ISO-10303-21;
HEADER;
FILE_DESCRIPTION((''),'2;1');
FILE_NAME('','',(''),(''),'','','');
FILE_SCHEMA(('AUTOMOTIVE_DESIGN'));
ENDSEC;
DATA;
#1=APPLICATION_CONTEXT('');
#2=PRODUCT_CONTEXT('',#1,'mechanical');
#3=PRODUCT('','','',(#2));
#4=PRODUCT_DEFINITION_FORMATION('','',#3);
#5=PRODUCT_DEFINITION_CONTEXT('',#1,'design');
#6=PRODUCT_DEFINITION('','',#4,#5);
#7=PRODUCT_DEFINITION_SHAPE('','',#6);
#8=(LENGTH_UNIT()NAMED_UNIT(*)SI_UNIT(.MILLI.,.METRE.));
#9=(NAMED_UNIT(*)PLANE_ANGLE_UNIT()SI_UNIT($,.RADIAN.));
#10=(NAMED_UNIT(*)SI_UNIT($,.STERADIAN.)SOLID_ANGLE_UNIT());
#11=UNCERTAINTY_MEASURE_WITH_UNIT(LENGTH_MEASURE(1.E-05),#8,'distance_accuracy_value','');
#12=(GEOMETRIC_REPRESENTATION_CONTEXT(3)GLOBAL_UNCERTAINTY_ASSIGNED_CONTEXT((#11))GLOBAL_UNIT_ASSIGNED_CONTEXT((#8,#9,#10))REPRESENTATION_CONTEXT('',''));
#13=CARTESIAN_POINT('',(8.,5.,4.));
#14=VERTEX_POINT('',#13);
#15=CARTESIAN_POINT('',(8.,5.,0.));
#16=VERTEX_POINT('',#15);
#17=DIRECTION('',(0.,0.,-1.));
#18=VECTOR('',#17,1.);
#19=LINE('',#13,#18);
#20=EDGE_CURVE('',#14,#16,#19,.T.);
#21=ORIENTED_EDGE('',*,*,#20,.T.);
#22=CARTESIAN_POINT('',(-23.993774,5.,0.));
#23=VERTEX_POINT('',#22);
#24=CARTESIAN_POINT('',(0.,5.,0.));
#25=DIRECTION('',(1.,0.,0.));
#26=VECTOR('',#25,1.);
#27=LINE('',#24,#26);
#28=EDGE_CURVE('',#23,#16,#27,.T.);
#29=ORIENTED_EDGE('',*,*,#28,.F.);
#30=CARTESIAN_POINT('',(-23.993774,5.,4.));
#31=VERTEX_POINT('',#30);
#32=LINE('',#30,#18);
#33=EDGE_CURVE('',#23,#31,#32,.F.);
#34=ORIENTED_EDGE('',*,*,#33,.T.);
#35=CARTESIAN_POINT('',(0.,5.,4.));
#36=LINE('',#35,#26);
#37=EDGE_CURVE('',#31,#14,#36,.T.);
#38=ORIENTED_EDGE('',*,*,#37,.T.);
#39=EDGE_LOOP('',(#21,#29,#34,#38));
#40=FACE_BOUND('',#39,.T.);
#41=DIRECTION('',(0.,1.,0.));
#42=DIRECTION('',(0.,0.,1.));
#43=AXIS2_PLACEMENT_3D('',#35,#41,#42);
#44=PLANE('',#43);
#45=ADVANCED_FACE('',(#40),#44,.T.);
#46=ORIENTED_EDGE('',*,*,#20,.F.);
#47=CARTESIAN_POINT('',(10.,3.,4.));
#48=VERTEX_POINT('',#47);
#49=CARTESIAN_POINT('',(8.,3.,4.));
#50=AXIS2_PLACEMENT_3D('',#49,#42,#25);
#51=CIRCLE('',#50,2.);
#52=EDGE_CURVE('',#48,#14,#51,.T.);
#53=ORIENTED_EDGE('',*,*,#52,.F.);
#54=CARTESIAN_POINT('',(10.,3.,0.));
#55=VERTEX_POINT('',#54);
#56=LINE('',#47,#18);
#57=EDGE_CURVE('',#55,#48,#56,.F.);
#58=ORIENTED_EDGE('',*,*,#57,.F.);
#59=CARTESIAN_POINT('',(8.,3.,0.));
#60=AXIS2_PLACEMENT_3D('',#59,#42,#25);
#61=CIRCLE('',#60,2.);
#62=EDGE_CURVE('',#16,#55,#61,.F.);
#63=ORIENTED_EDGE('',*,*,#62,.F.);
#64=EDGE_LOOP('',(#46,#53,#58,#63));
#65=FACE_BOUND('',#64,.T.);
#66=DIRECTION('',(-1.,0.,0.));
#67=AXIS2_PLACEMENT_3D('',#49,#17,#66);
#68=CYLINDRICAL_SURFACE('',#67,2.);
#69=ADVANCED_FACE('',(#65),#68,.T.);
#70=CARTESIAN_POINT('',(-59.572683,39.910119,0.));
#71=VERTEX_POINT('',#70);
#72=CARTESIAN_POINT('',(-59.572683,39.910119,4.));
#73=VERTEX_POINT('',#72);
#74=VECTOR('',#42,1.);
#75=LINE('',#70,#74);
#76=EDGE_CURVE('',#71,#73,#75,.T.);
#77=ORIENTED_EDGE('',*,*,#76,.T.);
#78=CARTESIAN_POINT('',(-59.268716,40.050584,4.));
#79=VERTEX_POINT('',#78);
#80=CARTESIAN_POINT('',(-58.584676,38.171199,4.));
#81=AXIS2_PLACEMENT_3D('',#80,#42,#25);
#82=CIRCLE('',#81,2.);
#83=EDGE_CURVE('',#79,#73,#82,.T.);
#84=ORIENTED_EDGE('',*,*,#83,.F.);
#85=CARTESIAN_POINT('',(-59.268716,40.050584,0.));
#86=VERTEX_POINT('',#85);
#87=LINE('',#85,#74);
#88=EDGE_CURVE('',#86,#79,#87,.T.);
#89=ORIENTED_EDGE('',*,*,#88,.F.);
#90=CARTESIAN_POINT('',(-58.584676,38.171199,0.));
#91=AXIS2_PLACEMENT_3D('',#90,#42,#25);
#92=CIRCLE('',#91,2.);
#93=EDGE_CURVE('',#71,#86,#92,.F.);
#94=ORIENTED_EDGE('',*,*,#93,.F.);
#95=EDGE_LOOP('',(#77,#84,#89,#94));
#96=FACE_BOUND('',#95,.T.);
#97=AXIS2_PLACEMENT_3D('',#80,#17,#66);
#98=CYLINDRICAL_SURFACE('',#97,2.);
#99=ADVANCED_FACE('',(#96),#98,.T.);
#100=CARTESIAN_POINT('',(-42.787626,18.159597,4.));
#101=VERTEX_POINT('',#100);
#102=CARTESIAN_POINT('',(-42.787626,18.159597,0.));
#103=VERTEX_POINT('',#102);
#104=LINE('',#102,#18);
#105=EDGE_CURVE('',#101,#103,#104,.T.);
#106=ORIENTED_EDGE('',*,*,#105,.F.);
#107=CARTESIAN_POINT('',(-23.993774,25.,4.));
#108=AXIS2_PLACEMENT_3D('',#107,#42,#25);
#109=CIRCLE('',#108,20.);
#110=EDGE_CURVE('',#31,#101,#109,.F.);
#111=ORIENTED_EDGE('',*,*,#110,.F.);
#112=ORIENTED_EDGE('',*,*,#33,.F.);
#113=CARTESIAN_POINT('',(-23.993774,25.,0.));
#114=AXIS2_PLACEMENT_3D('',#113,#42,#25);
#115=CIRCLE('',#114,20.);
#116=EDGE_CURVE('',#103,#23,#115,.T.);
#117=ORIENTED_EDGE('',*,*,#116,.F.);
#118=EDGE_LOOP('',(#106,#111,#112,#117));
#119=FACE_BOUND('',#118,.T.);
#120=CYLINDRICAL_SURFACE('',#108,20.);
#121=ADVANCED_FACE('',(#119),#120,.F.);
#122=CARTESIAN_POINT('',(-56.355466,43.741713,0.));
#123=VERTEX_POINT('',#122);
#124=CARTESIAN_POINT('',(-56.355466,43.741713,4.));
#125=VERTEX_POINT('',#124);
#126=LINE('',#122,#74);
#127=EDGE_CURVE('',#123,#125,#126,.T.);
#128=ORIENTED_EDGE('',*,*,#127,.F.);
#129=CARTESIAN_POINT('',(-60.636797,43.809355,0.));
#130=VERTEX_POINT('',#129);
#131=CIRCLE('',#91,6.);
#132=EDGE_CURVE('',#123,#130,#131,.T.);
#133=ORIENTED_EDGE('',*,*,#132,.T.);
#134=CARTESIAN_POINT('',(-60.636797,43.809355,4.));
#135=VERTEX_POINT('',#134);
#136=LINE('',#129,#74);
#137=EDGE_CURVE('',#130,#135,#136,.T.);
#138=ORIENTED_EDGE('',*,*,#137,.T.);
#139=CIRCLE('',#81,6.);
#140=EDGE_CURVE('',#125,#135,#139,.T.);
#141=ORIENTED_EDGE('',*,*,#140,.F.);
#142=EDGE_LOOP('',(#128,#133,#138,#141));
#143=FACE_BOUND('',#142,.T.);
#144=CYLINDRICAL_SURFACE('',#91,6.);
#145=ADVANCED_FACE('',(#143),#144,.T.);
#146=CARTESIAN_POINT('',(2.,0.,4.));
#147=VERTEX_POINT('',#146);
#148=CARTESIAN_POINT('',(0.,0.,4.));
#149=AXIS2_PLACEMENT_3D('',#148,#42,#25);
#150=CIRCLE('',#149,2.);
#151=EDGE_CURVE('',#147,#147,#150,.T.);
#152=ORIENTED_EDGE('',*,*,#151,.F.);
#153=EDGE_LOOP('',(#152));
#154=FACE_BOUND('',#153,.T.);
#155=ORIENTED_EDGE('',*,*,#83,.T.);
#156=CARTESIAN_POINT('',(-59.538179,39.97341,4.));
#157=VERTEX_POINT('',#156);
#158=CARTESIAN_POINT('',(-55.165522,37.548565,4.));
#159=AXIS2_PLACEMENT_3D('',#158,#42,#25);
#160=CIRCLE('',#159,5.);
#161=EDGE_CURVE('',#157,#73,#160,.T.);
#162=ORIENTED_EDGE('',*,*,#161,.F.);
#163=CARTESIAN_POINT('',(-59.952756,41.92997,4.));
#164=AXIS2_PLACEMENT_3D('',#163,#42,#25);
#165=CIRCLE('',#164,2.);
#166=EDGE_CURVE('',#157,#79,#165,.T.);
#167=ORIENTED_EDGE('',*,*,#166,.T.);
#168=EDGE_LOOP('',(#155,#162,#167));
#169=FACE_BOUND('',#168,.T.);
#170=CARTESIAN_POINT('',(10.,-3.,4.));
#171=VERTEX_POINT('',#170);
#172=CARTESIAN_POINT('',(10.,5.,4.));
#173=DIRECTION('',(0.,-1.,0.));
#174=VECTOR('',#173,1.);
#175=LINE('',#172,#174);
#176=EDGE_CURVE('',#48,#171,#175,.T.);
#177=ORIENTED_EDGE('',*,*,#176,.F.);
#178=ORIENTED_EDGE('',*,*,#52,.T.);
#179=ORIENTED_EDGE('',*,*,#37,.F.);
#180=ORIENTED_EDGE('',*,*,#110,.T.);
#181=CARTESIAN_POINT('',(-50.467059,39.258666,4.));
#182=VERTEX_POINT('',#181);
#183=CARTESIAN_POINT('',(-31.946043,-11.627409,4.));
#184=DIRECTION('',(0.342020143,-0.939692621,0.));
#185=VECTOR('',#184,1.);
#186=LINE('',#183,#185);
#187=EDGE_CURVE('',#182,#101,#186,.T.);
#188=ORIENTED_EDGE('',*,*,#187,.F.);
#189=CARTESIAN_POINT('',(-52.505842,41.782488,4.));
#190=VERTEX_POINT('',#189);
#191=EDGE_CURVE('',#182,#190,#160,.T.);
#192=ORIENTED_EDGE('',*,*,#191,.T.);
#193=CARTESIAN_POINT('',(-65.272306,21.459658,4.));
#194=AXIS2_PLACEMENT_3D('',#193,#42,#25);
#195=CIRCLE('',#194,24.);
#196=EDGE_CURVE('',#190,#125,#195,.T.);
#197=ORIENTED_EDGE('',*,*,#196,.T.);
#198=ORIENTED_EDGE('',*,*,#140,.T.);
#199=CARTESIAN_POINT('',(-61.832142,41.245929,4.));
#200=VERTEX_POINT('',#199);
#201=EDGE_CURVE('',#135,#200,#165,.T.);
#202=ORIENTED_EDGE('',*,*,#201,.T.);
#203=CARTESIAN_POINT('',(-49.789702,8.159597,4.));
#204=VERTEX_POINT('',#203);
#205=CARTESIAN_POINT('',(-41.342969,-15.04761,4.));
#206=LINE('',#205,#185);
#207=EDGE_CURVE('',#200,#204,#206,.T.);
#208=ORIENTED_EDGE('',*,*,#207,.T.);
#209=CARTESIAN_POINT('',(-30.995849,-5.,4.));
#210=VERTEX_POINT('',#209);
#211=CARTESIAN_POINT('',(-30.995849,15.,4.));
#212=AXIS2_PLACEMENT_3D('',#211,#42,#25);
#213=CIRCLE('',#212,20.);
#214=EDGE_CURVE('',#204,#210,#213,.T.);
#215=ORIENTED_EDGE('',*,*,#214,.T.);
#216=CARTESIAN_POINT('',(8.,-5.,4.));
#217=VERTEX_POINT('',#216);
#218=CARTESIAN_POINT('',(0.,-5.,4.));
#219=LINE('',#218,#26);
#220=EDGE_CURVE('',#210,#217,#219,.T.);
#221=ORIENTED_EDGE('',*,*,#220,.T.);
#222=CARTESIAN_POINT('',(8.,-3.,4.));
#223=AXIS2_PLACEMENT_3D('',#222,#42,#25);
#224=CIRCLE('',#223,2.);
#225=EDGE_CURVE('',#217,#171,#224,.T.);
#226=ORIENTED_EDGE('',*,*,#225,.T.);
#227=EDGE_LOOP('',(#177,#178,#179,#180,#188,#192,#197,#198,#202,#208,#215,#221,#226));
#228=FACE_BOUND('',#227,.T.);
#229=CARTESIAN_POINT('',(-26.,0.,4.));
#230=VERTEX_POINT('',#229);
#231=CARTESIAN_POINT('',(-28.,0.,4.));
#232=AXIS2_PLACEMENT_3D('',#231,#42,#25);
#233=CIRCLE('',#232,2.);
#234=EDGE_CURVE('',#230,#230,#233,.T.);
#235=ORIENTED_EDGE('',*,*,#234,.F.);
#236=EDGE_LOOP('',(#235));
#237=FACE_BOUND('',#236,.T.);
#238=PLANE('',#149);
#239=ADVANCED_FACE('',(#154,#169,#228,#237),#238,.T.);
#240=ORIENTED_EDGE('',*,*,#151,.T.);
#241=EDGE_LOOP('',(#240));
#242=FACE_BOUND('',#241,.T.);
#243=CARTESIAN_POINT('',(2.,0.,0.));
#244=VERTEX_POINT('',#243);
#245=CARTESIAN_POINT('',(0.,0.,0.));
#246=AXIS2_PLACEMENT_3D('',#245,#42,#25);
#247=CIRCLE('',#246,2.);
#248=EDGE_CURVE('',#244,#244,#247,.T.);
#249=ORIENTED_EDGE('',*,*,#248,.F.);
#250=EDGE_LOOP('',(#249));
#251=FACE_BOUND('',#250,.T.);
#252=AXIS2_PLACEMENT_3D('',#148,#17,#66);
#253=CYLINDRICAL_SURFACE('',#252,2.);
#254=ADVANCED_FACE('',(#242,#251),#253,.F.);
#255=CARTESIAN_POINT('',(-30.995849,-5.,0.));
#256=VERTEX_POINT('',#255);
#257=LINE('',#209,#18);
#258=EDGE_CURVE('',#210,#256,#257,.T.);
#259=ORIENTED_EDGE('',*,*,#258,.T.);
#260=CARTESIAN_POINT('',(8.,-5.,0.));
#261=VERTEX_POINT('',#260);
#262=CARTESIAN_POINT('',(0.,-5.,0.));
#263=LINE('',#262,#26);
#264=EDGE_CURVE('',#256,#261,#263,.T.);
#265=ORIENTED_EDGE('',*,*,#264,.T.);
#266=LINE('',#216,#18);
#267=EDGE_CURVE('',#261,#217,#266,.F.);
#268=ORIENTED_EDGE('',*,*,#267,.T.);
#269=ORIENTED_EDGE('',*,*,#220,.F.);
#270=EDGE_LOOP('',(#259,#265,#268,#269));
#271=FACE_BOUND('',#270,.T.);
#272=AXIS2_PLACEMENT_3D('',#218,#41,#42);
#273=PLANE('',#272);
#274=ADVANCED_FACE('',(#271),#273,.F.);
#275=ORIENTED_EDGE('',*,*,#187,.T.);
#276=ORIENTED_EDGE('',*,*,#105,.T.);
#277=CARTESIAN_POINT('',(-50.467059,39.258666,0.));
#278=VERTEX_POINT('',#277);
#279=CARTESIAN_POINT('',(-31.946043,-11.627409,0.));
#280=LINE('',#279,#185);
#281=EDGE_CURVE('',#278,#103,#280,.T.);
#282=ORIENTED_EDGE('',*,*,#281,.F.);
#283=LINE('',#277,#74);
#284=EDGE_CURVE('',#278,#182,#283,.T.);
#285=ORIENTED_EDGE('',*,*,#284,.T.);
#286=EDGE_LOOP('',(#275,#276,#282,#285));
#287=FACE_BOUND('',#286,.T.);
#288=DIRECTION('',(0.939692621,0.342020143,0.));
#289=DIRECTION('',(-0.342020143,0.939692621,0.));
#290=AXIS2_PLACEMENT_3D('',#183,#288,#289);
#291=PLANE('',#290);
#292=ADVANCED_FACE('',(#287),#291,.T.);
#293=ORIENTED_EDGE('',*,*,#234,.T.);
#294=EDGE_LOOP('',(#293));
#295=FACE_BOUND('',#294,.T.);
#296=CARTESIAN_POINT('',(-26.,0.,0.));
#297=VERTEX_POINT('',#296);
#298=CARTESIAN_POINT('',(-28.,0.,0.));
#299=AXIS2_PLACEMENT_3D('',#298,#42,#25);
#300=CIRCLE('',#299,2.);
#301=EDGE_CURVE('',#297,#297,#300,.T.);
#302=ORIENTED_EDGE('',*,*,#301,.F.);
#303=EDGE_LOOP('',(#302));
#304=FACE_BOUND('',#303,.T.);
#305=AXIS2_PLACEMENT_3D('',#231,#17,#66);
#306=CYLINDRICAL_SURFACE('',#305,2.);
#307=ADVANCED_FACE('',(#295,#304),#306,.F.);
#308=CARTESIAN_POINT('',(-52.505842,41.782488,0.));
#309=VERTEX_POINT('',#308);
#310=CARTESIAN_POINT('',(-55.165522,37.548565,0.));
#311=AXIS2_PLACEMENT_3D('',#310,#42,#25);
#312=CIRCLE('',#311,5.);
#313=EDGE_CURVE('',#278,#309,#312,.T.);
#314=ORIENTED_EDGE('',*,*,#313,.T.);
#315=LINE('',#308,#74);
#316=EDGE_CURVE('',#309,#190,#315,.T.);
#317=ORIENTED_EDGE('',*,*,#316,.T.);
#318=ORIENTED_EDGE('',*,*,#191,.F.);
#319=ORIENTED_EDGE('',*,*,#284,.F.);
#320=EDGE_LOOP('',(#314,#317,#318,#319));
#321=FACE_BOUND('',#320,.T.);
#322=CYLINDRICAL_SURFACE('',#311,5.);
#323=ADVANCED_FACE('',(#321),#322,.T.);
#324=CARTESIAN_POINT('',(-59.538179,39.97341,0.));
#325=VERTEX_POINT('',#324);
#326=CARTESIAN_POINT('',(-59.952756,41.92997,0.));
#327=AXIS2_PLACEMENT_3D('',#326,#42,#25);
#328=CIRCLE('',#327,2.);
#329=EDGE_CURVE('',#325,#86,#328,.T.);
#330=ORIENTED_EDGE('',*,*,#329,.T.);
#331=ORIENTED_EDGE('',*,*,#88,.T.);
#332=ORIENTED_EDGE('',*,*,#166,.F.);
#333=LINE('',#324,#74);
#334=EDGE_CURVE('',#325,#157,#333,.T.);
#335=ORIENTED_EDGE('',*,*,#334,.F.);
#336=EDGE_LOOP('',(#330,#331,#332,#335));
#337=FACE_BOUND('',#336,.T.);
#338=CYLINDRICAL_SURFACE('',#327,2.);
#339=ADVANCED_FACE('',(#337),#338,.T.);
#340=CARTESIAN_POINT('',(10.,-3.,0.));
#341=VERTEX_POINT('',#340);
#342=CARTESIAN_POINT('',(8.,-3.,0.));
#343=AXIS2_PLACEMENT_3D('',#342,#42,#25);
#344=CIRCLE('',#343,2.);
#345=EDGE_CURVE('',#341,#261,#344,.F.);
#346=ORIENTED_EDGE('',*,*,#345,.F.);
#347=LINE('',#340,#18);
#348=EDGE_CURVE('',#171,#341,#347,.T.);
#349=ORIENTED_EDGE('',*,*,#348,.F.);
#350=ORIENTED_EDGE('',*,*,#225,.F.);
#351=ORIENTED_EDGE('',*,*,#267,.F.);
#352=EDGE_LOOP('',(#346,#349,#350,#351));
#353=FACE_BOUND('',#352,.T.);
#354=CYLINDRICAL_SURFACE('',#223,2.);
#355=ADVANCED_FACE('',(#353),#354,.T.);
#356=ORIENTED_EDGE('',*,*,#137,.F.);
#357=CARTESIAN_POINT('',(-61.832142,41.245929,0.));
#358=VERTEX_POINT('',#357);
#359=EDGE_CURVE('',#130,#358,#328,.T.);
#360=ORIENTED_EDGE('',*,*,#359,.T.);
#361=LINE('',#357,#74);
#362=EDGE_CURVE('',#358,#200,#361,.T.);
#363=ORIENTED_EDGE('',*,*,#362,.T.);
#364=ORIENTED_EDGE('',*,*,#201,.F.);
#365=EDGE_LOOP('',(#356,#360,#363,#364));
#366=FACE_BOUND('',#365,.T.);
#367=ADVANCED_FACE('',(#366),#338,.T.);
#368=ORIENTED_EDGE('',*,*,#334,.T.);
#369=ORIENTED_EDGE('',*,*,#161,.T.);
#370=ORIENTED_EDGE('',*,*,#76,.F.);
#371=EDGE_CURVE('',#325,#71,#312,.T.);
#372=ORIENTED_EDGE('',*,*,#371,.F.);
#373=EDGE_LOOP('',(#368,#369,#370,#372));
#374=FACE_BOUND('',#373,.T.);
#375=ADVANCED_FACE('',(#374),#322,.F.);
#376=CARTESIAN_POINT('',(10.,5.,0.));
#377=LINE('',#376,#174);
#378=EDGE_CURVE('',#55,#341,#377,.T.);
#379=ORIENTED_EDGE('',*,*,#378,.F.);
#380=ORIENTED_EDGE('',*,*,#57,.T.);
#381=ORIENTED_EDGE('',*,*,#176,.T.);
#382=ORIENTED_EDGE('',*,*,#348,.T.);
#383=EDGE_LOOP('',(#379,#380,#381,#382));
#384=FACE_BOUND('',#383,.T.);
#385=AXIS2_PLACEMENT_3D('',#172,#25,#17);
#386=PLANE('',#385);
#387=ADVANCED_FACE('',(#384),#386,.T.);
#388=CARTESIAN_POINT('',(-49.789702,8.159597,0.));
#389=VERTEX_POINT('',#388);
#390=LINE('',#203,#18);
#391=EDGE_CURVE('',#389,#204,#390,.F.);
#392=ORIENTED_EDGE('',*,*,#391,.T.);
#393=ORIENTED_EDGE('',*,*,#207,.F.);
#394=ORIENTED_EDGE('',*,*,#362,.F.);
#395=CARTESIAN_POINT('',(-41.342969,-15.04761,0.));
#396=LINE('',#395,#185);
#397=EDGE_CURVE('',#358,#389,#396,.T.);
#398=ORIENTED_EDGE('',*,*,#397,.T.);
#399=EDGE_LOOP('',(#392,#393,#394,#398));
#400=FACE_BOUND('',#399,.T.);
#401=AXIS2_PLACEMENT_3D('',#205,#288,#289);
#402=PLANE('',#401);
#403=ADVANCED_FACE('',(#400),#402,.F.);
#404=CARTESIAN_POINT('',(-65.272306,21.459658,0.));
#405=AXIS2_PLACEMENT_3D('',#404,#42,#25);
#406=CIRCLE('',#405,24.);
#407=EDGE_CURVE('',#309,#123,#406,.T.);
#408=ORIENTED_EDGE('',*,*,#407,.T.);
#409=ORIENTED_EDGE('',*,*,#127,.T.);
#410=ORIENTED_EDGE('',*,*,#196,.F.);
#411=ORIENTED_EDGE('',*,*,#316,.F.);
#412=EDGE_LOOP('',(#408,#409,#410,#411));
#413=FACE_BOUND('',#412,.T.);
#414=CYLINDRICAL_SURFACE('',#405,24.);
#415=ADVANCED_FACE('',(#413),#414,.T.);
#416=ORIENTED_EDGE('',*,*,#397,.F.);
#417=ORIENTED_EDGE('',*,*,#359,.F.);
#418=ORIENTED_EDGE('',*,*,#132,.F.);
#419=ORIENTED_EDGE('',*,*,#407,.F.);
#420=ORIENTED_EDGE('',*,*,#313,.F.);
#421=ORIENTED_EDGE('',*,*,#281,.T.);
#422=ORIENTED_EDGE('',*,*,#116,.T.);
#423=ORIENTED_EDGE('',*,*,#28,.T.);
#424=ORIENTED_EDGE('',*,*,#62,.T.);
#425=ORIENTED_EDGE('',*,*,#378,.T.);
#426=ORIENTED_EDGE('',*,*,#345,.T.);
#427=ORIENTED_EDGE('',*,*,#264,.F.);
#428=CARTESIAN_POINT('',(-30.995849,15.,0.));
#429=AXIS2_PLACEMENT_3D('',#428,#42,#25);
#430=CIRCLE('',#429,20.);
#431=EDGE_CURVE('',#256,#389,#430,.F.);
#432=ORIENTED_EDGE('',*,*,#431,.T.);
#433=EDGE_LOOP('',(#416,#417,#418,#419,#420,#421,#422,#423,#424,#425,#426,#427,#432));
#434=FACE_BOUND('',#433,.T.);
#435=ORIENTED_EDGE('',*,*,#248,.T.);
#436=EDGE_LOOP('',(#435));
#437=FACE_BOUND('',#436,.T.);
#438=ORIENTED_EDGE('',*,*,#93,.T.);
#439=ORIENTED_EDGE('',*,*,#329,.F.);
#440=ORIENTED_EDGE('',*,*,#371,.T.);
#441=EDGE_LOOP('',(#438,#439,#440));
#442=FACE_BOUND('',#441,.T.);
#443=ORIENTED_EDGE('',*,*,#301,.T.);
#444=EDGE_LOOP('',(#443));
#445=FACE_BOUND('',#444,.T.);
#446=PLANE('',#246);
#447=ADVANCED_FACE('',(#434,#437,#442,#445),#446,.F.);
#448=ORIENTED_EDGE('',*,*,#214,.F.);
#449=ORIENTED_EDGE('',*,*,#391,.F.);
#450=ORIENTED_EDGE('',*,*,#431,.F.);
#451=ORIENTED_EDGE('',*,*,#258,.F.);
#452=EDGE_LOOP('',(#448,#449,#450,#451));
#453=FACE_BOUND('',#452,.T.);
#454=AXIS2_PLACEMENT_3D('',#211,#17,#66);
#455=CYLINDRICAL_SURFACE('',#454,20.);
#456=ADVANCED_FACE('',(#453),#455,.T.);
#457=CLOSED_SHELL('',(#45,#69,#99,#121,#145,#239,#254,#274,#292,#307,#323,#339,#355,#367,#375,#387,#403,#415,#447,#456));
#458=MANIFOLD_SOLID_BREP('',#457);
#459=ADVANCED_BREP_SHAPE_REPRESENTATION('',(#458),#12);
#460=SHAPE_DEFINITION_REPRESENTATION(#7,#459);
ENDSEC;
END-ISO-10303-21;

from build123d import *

# Parameters (mm, degrees)
SKETCH_1_W      = 50
SKETCH_1_H      = 10
SKETCH_1_R      = 2
SKETCH_1_W_2    = 5
EXTRUDE_1_DEPTH = 4
FILLET_1_R      = 20
FILLET_2_R      = 20
FILLET_3_R      = 2
EXTRUDE_2_DEPTH = 4


with BuildPart() as part:
    # 草图1 → 凸台-拉伸1 (new body)
    with BuildSketch(Plane.XY):
        Polygon((-49.968629634, 37.889241728), (-61.844641091, 41.280271037), (-45, -5), (-45, 5), (-37.997924618, 5), align=None)
        with Locations((-20, 0)):
            Rectangle(SKETCH_1_W, SKETCH_1_H)
        with Locations((-28, 0)):
            Circle(SKETCH_1_R, mode=Mode.SUBTRACT)
        Circle(SKETCH_1_R, mode=Mode.SUBTRACT)
        with Locations((7.5, 0)):
            Rectangle(SKETCH_1_W_2, SKETCH_1_H)
    extrude(amount=EXTRUDE_1_DEPTH)

    # 圆角1
    fillet_1_edges = [part.edges().sort_by_distance(p)[0] for p in [
        (-37.997924618, 5, 2),
        (-45, -5, 2),
    ]]
    fillet(fillet_1_edges, radius=FILLET_1_R)

    # 圆角2
    fillet_2_edges = [part.edges().sort_by_distance(p)[0] for p in [
        (-49.968629634, 37.889241728, 2),
    ]]
    fillet(fillet_2_edges, radius=FILLET_2_R)

    # 圆角3
    fillet_3_edges = [part.edges().sort_by_distance(p)[0] for p in [
        (-61.844641091, 41.280271037, 2),
        (10, -5, 2),
        (10, 5, 2),
    ]]
    fillet(fillet_3_edges, radius=FILLET_3_R)

    # 草图2 → 凸台-拉伸2 (add)
    with BuildSketch(Plane.XY.offset(4)):
        with BuildLine():
            ThreePointArc((-56.355465994, 43.741712807), (-58.489892138, 44.170450367), (-60.636797067, 43.809354689))
            ThreePointArc((-60.636797067, 43.809354689), (-61.765372114, 42.775205935), (-61.832141712, 41.245929274))
            Line((-61.832141712, 41.245929274), (-60.464061138, 37.487158791))
            ThreePointArc((-60.464061138, 37.487158791), (-60.461686369, 38.861729082), (-59.572682652, 39.910119045))
            ThreePointArc((-59.572682652, 39.910119045), (-59.555544901, 39.941826673), (-59.538179031, 39.973409941))
            ThreePointArc((-59.538179031, 39.973409941), (-59.402093878, 40.007270752), (-59.26871602, 40.050584379))
            ThreePointArc((-59.26871602, 40.050584379), (-58.553081169, 40.170949505), (-57.841605929, 40.028036987))
            ThreePointArc((-57.841605929, 40.028036987), (-50.908526864, 35.37662093), (-46.47845319, 28.300060756))
            Line((-46.47845319, 28.300060756), (-50.467059195, 39.258665691))
            ThreePointArc((-50.467059195, 39.258665691), (-51.276051122, 40.690541098), (-52.50584262, 41.782487979))
            ThreePointArc((-52.50584262, 41.782487979), (-54.386487154, 42.848883136), (-56.355465994, 43.741712807))
        make_face()
    extrude(amount=-EXTRUDE_2_DEPTH)


solid = part.part
